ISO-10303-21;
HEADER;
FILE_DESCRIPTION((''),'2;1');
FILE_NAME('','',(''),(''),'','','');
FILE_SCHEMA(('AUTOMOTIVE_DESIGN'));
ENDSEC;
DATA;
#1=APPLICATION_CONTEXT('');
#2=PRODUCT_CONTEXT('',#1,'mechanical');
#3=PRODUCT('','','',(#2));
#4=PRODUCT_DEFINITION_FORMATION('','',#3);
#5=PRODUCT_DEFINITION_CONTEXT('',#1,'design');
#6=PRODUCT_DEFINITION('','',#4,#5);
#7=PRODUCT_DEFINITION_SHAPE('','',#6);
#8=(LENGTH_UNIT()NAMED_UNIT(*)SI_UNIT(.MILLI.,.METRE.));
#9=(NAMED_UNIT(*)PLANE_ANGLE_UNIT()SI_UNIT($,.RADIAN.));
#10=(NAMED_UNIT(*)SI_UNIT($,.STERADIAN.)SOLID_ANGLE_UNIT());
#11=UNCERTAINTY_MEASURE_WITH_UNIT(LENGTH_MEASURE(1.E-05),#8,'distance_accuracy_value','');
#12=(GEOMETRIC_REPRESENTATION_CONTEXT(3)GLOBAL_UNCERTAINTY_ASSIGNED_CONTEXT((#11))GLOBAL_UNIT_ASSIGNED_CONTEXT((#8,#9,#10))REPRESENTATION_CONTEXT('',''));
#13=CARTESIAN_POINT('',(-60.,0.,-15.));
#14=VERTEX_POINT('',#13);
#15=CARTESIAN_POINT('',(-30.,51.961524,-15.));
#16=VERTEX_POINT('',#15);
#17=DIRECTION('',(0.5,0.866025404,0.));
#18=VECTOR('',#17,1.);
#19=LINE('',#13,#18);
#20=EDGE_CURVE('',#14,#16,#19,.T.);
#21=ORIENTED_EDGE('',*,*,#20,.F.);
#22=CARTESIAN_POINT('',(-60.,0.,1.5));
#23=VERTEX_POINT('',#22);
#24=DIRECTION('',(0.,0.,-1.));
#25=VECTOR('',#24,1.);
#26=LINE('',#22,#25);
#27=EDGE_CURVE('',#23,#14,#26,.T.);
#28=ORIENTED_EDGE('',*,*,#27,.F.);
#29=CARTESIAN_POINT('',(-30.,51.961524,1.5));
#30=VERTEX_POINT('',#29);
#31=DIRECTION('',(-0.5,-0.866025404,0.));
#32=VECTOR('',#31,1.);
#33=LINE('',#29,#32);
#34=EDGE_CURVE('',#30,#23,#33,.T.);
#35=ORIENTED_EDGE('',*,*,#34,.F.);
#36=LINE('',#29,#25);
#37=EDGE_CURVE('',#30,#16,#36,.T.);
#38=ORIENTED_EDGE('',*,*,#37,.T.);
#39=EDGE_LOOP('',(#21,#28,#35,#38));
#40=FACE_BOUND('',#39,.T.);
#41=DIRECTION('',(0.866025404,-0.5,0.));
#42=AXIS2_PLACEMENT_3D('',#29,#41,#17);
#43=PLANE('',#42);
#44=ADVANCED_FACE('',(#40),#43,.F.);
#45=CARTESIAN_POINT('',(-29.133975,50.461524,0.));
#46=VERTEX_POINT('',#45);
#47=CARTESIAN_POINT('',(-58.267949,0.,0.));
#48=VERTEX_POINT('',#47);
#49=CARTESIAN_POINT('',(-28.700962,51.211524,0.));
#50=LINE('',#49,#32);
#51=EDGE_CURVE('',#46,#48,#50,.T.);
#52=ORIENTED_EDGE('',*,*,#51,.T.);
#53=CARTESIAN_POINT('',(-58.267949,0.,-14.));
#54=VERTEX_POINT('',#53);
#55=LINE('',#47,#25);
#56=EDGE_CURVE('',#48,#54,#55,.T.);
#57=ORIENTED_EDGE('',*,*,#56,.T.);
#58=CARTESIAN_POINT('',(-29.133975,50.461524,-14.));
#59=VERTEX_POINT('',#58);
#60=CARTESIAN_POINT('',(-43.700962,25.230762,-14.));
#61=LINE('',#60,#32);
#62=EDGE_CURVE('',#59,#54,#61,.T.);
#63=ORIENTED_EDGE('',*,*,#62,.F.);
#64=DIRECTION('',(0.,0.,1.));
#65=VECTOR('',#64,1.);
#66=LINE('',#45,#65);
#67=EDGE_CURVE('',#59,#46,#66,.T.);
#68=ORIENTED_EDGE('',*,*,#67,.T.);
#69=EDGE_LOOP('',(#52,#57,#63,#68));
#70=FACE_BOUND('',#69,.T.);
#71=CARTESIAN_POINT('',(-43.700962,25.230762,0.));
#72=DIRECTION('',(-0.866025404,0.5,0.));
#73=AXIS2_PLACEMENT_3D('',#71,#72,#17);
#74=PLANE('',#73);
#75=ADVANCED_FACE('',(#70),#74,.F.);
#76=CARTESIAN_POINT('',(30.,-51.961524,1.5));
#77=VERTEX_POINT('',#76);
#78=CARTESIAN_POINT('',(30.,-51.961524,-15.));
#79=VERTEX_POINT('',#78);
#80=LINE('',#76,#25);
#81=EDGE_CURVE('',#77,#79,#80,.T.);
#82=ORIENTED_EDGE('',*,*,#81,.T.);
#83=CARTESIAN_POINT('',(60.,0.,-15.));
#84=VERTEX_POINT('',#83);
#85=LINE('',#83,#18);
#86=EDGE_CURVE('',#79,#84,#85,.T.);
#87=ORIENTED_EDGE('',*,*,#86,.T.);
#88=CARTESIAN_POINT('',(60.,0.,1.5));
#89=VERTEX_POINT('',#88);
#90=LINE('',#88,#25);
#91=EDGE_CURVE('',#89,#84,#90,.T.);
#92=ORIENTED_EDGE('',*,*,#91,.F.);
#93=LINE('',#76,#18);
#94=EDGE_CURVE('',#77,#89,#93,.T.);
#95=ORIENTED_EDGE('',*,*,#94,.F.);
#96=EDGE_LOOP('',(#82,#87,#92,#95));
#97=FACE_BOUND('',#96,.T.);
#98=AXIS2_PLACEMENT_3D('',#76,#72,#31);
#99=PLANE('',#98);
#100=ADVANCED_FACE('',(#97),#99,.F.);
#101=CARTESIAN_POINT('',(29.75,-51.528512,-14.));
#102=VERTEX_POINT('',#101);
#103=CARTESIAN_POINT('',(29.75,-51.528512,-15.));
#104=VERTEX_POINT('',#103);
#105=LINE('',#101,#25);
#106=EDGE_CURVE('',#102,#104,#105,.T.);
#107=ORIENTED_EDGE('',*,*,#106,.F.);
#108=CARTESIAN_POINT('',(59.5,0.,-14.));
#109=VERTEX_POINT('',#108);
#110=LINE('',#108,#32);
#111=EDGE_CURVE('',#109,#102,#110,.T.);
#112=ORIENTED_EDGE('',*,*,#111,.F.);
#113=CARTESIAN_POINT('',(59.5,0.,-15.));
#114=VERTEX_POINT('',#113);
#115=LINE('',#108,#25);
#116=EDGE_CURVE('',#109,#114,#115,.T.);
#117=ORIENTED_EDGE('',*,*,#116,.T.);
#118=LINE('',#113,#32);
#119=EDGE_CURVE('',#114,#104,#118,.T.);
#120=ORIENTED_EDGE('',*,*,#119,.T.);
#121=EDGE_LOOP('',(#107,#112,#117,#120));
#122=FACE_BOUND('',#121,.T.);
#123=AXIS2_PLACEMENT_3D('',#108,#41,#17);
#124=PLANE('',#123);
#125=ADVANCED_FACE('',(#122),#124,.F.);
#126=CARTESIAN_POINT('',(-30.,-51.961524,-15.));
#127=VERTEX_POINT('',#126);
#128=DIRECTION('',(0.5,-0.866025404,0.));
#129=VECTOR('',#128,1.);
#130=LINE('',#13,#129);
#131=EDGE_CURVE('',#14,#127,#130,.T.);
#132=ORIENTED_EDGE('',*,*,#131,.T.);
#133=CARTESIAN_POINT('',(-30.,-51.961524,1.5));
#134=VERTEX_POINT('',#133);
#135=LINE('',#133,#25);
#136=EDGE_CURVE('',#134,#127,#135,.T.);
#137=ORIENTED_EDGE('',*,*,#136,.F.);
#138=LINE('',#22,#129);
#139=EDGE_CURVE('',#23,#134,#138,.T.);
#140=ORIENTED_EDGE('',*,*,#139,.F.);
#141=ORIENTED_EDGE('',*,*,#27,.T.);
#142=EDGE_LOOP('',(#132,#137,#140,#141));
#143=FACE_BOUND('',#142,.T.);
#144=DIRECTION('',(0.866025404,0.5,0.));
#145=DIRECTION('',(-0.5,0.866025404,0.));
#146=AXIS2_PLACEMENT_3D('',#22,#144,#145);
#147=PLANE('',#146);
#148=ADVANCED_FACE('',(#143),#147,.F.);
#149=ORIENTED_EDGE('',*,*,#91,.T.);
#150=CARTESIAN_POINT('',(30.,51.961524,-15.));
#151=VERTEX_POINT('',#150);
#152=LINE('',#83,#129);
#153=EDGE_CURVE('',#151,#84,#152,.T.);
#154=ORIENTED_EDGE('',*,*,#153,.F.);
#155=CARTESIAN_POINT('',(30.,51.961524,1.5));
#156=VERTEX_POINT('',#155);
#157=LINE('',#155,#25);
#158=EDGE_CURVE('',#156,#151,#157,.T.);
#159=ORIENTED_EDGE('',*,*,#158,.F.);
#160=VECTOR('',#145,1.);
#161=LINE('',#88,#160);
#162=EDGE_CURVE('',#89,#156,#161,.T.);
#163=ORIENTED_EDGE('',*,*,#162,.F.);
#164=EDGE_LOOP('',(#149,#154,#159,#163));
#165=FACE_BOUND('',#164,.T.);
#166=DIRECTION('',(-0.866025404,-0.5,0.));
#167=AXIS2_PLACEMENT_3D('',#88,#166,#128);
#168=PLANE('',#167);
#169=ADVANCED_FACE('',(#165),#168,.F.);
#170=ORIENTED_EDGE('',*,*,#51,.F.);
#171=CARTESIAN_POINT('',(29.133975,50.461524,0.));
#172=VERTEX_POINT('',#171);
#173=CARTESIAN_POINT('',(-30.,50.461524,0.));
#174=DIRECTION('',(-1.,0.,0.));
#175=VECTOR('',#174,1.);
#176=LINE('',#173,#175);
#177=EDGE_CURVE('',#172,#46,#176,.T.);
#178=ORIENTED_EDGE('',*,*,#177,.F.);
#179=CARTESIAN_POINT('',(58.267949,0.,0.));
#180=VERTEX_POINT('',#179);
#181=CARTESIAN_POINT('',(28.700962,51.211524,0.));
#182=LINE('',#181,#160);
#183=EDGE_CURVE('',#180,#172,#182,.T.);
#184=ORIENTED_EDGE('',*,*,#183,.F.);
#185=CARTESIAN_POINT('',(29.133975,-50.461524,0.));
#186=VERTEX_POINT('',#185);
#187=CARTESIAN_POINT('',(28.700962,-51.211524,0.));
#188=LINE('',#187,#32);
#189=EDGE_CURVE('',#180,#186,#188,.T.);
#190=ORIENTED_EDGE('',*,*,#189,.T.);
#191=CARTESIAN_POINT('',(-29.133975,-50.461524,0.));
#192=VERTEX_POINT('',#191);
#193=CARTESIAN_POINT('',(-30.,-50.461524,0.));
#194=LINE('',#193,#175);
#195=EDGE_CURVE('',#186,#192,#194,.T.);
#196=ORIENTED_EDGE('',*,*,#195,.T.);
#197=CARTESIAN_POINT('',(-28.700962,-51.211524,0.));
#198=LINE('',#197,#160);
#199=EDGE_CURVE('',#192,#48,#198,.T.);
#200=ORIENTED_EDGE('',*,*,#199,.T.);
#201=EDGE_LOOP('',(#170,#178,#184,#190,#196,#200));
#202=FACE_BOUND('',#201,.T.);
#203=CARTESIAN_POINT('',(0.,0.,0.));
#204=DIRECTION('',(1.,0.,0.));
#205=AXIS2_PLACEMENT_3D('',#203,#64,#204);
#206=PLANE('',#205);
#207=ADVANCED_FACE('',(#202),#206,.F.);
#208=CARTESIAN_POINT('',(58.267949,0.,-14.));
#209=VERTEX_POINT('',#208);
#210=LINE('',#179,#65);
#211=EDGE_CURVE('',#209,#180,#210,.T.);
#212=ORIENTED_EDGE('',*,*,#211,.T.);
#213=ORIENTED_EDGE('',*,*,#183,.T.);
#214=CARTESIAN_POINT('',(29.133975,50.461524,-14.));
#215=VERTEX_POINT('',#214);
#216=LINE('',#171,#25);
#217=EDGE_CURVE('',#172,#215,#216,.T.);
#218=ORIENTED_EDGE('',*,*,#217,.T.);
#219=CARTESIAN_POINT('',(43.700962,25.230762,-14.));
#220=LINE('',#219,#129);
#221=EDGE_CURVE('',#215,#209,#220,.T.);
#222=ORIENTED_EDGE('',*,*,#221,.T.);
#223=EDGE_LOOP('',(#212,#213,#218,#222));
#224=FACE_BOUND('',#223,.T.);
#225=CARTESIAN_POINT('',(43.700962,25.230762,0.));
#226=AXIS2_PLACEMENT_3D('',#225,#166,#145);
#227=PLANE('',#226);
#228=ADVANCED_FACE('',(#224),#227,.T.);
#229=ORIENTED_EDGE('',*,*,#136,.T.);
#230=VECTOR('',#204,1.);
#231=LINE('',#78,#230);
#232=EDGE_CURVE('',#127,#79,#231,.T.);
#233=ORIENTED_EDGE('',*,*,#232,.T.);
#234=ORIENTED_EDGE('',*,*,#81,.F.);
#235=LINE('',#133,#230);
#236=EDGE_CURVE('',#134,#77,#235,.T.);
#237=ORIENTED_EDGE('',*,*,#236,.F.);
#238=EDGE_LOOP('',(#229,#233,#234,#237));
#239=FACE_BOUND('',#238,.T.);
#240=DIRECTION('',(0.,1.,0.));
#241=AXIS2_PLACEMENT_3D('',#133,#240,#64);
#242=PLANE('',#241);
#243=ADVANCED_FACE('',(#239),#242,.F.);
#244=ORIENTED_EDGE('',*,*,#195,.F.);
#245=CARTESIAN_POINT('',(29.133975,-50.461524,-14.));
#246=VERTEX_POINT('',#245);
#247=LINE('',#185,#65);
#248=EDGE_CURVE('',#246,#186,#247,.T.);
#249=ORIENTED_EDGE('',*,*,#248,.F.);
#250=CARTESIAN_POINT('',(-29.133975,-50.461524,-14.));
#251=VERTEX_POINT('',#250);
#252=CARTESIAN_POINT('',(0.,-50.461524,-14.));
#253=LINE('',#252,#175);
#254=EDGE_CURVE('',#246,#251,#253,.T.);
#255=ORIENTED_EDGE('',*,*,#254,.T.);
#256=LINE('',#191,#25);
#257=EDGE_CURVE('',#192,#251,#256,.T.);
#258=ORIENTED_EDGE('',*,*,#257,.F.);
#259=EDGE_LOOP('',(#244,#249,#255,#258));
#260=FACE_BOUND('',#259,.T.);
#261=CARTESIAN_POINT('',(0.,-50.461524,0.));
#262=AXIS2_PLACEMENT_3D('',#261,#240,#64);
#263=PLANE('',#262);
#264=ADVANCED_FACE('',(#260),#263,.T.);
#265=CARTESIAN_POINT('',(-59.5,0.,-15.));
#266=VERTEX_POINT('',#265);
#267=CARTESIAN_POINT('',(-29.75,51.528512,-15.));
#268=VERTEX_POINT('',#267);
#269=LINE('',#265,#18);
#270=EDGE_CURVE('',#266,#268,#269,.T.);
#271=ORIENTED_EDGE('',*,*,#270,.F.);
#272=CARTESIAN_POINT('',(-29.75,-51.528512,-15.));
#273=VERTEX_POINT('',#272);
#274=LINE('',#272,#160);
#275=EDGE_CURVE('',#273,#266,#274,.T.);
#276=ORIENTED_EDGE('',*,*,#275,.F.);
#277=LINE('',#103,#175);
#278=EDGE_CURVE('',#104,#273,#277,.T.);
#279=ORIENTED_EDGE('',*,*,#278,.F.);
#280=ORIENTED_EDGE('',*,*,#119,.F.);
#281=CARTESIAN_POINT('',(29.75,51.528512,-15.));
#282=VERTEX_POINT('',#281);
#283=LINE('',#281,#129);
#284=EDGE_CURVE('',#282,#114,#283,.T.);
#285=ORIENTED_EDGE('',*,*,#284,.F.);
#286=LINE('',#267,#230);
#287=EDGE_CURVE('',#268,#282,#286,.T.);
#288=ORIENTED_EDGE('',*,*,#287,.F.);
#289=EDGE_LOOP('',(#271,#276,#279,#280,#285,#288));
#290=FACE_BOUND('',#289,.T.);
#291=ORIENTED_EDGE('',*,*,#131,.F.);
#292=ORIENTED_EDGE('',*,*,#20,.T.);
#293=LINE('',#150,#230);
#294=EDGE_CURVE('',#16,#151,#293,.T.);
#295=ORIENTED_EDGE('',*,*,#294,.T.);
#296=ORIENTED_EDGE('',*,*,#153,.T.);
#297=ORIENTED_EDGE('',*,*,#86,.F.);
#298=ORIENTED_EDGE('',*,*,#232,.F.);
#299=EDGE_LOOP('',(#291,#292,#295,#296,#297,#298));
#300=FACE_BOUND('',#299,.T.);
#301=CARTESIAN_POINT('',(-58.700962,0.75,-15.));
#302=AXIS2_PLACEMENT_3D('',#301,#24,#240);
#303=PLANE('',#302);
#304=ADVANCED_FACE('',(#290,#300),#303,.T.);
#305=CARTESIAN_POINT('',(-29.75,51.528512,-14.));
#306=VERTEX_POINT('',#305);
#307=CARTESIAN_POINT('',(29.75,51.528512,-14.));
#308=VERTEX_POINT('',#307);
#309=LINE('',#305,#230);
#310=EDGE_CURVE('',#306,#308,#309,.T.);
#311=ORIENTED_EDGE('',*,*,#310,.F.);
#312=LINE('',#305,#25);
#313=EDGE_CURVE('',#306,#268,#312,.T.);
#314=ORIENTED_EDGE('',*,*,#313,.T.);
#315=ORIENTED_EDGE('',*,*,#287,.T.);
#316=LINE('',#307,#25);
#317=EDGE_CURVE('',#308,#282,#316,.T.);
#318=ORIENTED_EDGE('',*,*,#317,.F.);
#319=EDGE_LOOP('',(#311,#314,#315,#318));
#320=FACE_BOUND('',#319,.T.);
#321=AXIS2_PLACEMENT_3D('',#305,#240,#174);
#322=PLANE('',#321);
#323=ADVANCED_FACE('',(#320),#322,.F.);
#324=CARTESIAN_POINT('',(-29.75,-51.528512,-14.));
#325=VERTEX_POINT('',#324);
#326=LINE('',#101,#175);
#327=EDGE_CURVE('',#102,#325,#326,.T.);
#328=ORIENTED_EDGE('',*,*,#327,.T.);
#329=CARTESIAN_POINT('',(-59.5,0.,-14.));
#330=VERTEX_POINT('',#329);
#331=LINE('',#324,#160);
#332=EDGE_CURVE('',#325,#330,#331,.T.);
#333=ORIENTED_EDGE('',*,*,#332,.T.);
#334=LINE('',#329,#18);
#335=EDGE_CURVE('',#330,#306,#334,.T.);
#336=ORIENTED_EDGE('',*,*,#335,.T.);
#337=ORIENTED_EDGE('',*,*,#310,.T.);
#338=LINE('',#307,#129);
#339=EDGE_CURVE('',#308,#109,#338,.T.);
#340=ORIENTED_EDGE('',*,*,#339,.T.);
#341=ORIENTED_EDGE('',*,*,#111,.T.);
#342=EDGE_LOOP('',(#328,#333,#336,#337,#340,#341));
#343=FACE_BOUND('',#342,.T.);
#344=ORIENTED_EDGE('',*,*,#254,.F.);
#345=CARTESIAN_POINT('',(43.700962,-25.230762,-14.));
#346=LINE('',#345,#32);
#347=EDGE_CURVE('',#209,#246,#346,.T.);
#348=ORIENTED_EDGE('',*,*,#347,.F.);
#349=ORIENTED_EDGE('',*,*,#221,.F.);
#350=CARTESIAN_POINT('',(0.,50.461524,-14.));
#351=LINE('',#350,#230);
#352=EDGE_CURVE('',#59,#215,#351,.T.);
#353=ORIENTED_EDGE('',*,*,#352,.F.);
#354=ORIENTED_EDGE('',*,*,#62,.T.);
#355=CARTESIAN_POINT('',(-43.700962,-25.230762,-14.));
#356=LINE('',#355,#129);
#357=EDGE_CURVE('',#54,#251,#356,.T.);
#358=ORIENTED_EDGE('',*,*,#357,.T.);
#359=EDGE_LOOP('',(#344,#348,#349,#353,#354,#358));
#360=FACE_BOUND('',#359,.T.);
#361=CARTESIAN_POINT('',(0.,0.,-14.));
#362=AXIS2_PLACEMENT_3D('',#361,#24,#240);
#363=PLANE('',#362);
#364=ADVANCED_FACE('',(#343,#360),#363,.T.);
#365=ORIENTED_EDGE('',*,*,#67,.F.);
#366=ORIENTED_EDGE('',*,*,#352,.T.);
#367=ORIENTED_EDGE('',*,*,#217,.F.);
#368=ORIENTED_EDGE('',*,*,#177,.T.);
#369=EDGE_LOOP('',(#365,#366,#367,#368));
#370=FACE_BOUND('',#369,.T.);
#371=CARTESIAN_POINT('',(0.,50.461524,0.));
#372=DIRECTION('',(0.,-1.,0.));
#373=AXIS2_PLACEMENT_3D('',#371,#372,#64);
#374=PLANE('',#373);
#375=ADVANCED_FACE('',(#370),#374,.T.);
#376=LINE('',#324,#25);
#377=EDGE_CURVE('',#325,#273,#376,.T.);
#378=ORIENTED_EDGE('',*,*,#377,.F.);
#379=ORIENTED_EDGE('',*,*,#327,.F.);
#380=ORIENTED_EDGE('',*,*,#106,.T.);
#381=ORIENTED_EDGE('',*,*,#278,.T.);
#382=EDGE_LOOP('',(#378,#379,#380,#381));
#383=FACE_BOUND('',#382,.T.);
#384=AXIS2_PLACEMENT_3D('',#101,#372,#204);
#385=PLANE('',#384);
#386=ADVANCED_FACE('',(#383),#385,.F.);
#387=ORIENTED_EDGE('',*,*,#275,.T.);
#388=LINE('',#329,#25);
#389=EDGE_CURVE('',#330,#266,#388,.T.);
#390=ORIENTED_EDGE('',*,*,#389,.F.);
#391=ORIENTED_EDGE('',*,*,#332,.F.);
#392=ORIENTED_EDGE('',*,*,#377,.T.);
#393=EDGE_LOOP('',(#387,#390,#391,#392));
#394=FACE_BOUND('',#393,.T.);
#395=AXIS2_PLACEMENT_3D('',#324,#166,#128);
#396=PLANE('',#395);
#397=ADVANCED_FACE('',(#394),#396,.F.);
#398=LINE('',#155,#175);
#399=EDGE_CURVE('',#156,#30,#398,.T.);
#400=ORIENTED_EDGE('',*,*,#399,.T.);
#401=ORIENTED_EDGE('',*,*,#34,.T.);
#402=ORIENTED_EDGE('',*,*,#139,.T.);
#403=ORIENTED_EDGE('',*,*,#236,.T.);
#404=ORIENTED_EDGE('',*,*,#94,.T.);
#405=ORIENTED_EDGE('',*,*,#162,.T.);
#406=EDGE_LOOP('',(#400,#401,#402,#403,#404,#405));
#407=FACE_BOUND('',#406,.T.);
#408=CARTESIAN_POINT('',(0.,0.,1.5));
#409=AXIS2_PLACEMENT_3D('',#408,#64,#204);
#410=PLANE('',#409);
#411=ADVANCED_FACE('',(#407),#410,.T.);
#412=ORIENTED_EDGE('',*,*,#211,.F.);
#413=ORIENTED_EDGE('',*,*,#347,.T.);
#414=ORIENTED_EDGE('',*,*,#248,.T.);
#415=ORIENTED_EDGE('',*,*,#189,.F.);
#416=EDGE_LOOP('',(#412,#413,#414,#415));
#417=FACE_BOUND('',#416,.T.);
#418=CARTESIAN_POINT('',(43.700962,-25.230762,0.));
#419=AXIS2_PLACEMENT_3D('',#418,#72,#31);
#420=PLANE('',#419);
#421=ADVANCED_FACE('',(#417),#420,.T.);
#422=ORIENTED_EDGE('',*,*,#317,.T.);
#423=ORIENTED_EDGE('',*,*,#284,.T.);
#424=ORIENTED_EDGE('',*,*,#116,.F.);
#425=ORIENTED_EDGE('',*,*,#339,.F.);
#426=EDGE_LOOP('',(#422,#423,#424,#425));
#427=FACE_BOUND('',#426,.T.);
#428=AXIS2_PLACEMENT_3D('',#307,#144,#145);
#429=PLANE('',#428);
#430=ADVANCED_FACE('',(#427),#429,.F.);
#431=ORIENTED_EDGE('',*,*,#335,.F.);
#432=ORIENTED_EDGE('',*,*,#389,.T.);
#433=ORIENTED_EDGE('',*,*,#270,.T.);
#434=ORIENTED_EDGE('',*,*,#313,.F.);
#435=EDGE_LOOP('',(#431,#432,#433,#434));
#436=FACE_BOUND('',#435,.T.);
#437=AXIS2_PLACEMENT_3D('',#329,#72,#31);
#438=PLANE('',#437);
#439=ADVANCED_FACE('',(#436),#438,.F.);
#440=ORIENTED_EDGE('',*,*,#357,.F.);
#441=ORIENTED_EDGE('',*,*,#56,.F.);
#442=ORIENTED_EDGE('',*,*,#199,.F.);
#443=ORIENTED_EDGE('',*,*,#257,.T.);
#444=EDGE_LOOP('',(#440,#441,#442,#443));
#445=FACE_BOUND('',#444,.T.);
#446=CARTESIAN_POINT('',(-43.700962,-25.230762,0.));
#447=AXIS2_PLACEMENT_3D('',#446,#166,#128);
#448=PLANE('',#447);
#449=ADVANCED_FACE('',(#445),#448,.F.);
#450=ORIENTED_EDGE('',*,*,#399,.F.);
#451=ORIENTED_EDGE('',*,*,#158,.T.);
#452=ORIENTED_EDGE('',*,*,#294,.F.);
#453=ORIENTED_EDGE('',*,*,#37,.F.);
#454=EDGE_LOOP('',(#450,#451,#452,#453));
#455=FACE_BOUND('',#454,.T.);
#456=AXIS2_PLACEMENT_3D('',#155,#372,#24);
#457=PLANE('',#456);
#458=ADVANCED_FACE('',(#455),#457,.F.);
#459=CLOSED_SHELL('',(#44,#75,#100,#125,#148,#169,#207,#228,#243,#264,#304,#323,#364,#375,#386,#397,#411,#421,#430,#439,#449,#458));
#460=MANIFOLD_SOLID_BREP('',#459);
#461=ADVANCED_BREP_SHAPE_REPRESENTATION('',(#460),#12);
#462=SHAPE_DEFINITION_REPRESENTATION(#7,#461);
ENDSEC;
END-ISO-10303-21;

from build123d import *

# Parameters (mm, degrees)
BOSS_EXTRU_1_DEPTH      = 1.5
ESQUISSE3_W             = 15
ESQUISSE3_H             = 60
BOSS_EXTRU_2_DEPTH      = 1.5
ESQUISSE5_W             = 60
ESQUISSE5_H             = 15
BOSS_EXTRU_3_DEPTH      = 1.5
ESQUISSE6_W             = 15
ESQUISSE6_H             = 60
BOSS_EXTRU_4_DEPTH      = 1.5
ENL_V_MAT_EXTRU_1_DEPTH = 1


with BuildPart() as part:
    # Esquisse1 → Boss.-Extru.1 (new body)
    with BuildSketch(Plane.XY):
        Polygon((-30, -51.961524227), (30, -51.961524227), (60, 0), (30, 51.961524227), (-30, 51.961524227), (-60, 0), align=None)
    extrude(amount=BOSS_EXTRU_1_DEPTH)

    # Esquisse3 → Boss.-Extru.2 (add)
    with BuildSketch(Plane(origin=(-45, -25.980762114, 0), x_dir=(0, 0, 1), z_dir=(-0.8660254037844386, -0.5000000000000001, 0))):
        with Locations((-7.5, 0)):
            Rectangle(ESQUISSE3_W, ESQUISSE3_H)
    boss_extru_2 = extrude(amount=-BOSS_EXTRU_2_DEPTH)

    # Esquisse5 → Boss.-Extru.3 (add)
    with BuildSketch(Plane(origin=(0, -51.961524227, 0), x_dir=(-1, 0, 0), z_dir=(0, -1, 0))):
        with Locations((0, 7.5)):
            Rectangle(ESQUISSE5_W, ESQUISSE5_H)
    boss_extru_3 = extrude(amount=-BOSS_EXTRU_3_DEPTH)

    # Esquisse6 → Boss.-Extru.4 (add)
    with BuildSketch(Plane(origin=(45, -25.980762114, 0), x_dir=(0, 0, -1), z_dir=(0.8660254037844389, -0.4999999999999996, 0))):
        with Locations((7.5, 0)):
            Rectangle(ESQUISSE6_W, ESQUISSE6_H)
    boss_extru_4 = extrude(amount=-BOSS_EXTRU_4_DEPTH)

    # Symétrie1: Boss.-Extru.2, Boss.-Extru.3, Boss.-Extru.4 across plane
    add(boss_extru_2.mirror(Plane.ZX))
    add(boss_extru_3.mirror(Plane.ZX))
    add(boss_extru_4.mirror(Plane.ZX))

    # Esquisse7 → Enlèv. mat.-Extru.1 (cut)
    with BuildSketch(Plane(origin=(0, 0, -15), x_dir=(-1, 0, 0), z_dir=(0, 0, -1))):
        Polygon((-59.5, 0), (-29.75, -51.528511525), (29.75, -51.528511525), (59.5, 0), (29.75, 51.528511525), (-29.75, 51.528511525), align=None)
    extrude(amount=-ENL_V_MAT_EXTRU_1_DEPTH, mode=Mode.SUBTRACT)


solid = part.part
